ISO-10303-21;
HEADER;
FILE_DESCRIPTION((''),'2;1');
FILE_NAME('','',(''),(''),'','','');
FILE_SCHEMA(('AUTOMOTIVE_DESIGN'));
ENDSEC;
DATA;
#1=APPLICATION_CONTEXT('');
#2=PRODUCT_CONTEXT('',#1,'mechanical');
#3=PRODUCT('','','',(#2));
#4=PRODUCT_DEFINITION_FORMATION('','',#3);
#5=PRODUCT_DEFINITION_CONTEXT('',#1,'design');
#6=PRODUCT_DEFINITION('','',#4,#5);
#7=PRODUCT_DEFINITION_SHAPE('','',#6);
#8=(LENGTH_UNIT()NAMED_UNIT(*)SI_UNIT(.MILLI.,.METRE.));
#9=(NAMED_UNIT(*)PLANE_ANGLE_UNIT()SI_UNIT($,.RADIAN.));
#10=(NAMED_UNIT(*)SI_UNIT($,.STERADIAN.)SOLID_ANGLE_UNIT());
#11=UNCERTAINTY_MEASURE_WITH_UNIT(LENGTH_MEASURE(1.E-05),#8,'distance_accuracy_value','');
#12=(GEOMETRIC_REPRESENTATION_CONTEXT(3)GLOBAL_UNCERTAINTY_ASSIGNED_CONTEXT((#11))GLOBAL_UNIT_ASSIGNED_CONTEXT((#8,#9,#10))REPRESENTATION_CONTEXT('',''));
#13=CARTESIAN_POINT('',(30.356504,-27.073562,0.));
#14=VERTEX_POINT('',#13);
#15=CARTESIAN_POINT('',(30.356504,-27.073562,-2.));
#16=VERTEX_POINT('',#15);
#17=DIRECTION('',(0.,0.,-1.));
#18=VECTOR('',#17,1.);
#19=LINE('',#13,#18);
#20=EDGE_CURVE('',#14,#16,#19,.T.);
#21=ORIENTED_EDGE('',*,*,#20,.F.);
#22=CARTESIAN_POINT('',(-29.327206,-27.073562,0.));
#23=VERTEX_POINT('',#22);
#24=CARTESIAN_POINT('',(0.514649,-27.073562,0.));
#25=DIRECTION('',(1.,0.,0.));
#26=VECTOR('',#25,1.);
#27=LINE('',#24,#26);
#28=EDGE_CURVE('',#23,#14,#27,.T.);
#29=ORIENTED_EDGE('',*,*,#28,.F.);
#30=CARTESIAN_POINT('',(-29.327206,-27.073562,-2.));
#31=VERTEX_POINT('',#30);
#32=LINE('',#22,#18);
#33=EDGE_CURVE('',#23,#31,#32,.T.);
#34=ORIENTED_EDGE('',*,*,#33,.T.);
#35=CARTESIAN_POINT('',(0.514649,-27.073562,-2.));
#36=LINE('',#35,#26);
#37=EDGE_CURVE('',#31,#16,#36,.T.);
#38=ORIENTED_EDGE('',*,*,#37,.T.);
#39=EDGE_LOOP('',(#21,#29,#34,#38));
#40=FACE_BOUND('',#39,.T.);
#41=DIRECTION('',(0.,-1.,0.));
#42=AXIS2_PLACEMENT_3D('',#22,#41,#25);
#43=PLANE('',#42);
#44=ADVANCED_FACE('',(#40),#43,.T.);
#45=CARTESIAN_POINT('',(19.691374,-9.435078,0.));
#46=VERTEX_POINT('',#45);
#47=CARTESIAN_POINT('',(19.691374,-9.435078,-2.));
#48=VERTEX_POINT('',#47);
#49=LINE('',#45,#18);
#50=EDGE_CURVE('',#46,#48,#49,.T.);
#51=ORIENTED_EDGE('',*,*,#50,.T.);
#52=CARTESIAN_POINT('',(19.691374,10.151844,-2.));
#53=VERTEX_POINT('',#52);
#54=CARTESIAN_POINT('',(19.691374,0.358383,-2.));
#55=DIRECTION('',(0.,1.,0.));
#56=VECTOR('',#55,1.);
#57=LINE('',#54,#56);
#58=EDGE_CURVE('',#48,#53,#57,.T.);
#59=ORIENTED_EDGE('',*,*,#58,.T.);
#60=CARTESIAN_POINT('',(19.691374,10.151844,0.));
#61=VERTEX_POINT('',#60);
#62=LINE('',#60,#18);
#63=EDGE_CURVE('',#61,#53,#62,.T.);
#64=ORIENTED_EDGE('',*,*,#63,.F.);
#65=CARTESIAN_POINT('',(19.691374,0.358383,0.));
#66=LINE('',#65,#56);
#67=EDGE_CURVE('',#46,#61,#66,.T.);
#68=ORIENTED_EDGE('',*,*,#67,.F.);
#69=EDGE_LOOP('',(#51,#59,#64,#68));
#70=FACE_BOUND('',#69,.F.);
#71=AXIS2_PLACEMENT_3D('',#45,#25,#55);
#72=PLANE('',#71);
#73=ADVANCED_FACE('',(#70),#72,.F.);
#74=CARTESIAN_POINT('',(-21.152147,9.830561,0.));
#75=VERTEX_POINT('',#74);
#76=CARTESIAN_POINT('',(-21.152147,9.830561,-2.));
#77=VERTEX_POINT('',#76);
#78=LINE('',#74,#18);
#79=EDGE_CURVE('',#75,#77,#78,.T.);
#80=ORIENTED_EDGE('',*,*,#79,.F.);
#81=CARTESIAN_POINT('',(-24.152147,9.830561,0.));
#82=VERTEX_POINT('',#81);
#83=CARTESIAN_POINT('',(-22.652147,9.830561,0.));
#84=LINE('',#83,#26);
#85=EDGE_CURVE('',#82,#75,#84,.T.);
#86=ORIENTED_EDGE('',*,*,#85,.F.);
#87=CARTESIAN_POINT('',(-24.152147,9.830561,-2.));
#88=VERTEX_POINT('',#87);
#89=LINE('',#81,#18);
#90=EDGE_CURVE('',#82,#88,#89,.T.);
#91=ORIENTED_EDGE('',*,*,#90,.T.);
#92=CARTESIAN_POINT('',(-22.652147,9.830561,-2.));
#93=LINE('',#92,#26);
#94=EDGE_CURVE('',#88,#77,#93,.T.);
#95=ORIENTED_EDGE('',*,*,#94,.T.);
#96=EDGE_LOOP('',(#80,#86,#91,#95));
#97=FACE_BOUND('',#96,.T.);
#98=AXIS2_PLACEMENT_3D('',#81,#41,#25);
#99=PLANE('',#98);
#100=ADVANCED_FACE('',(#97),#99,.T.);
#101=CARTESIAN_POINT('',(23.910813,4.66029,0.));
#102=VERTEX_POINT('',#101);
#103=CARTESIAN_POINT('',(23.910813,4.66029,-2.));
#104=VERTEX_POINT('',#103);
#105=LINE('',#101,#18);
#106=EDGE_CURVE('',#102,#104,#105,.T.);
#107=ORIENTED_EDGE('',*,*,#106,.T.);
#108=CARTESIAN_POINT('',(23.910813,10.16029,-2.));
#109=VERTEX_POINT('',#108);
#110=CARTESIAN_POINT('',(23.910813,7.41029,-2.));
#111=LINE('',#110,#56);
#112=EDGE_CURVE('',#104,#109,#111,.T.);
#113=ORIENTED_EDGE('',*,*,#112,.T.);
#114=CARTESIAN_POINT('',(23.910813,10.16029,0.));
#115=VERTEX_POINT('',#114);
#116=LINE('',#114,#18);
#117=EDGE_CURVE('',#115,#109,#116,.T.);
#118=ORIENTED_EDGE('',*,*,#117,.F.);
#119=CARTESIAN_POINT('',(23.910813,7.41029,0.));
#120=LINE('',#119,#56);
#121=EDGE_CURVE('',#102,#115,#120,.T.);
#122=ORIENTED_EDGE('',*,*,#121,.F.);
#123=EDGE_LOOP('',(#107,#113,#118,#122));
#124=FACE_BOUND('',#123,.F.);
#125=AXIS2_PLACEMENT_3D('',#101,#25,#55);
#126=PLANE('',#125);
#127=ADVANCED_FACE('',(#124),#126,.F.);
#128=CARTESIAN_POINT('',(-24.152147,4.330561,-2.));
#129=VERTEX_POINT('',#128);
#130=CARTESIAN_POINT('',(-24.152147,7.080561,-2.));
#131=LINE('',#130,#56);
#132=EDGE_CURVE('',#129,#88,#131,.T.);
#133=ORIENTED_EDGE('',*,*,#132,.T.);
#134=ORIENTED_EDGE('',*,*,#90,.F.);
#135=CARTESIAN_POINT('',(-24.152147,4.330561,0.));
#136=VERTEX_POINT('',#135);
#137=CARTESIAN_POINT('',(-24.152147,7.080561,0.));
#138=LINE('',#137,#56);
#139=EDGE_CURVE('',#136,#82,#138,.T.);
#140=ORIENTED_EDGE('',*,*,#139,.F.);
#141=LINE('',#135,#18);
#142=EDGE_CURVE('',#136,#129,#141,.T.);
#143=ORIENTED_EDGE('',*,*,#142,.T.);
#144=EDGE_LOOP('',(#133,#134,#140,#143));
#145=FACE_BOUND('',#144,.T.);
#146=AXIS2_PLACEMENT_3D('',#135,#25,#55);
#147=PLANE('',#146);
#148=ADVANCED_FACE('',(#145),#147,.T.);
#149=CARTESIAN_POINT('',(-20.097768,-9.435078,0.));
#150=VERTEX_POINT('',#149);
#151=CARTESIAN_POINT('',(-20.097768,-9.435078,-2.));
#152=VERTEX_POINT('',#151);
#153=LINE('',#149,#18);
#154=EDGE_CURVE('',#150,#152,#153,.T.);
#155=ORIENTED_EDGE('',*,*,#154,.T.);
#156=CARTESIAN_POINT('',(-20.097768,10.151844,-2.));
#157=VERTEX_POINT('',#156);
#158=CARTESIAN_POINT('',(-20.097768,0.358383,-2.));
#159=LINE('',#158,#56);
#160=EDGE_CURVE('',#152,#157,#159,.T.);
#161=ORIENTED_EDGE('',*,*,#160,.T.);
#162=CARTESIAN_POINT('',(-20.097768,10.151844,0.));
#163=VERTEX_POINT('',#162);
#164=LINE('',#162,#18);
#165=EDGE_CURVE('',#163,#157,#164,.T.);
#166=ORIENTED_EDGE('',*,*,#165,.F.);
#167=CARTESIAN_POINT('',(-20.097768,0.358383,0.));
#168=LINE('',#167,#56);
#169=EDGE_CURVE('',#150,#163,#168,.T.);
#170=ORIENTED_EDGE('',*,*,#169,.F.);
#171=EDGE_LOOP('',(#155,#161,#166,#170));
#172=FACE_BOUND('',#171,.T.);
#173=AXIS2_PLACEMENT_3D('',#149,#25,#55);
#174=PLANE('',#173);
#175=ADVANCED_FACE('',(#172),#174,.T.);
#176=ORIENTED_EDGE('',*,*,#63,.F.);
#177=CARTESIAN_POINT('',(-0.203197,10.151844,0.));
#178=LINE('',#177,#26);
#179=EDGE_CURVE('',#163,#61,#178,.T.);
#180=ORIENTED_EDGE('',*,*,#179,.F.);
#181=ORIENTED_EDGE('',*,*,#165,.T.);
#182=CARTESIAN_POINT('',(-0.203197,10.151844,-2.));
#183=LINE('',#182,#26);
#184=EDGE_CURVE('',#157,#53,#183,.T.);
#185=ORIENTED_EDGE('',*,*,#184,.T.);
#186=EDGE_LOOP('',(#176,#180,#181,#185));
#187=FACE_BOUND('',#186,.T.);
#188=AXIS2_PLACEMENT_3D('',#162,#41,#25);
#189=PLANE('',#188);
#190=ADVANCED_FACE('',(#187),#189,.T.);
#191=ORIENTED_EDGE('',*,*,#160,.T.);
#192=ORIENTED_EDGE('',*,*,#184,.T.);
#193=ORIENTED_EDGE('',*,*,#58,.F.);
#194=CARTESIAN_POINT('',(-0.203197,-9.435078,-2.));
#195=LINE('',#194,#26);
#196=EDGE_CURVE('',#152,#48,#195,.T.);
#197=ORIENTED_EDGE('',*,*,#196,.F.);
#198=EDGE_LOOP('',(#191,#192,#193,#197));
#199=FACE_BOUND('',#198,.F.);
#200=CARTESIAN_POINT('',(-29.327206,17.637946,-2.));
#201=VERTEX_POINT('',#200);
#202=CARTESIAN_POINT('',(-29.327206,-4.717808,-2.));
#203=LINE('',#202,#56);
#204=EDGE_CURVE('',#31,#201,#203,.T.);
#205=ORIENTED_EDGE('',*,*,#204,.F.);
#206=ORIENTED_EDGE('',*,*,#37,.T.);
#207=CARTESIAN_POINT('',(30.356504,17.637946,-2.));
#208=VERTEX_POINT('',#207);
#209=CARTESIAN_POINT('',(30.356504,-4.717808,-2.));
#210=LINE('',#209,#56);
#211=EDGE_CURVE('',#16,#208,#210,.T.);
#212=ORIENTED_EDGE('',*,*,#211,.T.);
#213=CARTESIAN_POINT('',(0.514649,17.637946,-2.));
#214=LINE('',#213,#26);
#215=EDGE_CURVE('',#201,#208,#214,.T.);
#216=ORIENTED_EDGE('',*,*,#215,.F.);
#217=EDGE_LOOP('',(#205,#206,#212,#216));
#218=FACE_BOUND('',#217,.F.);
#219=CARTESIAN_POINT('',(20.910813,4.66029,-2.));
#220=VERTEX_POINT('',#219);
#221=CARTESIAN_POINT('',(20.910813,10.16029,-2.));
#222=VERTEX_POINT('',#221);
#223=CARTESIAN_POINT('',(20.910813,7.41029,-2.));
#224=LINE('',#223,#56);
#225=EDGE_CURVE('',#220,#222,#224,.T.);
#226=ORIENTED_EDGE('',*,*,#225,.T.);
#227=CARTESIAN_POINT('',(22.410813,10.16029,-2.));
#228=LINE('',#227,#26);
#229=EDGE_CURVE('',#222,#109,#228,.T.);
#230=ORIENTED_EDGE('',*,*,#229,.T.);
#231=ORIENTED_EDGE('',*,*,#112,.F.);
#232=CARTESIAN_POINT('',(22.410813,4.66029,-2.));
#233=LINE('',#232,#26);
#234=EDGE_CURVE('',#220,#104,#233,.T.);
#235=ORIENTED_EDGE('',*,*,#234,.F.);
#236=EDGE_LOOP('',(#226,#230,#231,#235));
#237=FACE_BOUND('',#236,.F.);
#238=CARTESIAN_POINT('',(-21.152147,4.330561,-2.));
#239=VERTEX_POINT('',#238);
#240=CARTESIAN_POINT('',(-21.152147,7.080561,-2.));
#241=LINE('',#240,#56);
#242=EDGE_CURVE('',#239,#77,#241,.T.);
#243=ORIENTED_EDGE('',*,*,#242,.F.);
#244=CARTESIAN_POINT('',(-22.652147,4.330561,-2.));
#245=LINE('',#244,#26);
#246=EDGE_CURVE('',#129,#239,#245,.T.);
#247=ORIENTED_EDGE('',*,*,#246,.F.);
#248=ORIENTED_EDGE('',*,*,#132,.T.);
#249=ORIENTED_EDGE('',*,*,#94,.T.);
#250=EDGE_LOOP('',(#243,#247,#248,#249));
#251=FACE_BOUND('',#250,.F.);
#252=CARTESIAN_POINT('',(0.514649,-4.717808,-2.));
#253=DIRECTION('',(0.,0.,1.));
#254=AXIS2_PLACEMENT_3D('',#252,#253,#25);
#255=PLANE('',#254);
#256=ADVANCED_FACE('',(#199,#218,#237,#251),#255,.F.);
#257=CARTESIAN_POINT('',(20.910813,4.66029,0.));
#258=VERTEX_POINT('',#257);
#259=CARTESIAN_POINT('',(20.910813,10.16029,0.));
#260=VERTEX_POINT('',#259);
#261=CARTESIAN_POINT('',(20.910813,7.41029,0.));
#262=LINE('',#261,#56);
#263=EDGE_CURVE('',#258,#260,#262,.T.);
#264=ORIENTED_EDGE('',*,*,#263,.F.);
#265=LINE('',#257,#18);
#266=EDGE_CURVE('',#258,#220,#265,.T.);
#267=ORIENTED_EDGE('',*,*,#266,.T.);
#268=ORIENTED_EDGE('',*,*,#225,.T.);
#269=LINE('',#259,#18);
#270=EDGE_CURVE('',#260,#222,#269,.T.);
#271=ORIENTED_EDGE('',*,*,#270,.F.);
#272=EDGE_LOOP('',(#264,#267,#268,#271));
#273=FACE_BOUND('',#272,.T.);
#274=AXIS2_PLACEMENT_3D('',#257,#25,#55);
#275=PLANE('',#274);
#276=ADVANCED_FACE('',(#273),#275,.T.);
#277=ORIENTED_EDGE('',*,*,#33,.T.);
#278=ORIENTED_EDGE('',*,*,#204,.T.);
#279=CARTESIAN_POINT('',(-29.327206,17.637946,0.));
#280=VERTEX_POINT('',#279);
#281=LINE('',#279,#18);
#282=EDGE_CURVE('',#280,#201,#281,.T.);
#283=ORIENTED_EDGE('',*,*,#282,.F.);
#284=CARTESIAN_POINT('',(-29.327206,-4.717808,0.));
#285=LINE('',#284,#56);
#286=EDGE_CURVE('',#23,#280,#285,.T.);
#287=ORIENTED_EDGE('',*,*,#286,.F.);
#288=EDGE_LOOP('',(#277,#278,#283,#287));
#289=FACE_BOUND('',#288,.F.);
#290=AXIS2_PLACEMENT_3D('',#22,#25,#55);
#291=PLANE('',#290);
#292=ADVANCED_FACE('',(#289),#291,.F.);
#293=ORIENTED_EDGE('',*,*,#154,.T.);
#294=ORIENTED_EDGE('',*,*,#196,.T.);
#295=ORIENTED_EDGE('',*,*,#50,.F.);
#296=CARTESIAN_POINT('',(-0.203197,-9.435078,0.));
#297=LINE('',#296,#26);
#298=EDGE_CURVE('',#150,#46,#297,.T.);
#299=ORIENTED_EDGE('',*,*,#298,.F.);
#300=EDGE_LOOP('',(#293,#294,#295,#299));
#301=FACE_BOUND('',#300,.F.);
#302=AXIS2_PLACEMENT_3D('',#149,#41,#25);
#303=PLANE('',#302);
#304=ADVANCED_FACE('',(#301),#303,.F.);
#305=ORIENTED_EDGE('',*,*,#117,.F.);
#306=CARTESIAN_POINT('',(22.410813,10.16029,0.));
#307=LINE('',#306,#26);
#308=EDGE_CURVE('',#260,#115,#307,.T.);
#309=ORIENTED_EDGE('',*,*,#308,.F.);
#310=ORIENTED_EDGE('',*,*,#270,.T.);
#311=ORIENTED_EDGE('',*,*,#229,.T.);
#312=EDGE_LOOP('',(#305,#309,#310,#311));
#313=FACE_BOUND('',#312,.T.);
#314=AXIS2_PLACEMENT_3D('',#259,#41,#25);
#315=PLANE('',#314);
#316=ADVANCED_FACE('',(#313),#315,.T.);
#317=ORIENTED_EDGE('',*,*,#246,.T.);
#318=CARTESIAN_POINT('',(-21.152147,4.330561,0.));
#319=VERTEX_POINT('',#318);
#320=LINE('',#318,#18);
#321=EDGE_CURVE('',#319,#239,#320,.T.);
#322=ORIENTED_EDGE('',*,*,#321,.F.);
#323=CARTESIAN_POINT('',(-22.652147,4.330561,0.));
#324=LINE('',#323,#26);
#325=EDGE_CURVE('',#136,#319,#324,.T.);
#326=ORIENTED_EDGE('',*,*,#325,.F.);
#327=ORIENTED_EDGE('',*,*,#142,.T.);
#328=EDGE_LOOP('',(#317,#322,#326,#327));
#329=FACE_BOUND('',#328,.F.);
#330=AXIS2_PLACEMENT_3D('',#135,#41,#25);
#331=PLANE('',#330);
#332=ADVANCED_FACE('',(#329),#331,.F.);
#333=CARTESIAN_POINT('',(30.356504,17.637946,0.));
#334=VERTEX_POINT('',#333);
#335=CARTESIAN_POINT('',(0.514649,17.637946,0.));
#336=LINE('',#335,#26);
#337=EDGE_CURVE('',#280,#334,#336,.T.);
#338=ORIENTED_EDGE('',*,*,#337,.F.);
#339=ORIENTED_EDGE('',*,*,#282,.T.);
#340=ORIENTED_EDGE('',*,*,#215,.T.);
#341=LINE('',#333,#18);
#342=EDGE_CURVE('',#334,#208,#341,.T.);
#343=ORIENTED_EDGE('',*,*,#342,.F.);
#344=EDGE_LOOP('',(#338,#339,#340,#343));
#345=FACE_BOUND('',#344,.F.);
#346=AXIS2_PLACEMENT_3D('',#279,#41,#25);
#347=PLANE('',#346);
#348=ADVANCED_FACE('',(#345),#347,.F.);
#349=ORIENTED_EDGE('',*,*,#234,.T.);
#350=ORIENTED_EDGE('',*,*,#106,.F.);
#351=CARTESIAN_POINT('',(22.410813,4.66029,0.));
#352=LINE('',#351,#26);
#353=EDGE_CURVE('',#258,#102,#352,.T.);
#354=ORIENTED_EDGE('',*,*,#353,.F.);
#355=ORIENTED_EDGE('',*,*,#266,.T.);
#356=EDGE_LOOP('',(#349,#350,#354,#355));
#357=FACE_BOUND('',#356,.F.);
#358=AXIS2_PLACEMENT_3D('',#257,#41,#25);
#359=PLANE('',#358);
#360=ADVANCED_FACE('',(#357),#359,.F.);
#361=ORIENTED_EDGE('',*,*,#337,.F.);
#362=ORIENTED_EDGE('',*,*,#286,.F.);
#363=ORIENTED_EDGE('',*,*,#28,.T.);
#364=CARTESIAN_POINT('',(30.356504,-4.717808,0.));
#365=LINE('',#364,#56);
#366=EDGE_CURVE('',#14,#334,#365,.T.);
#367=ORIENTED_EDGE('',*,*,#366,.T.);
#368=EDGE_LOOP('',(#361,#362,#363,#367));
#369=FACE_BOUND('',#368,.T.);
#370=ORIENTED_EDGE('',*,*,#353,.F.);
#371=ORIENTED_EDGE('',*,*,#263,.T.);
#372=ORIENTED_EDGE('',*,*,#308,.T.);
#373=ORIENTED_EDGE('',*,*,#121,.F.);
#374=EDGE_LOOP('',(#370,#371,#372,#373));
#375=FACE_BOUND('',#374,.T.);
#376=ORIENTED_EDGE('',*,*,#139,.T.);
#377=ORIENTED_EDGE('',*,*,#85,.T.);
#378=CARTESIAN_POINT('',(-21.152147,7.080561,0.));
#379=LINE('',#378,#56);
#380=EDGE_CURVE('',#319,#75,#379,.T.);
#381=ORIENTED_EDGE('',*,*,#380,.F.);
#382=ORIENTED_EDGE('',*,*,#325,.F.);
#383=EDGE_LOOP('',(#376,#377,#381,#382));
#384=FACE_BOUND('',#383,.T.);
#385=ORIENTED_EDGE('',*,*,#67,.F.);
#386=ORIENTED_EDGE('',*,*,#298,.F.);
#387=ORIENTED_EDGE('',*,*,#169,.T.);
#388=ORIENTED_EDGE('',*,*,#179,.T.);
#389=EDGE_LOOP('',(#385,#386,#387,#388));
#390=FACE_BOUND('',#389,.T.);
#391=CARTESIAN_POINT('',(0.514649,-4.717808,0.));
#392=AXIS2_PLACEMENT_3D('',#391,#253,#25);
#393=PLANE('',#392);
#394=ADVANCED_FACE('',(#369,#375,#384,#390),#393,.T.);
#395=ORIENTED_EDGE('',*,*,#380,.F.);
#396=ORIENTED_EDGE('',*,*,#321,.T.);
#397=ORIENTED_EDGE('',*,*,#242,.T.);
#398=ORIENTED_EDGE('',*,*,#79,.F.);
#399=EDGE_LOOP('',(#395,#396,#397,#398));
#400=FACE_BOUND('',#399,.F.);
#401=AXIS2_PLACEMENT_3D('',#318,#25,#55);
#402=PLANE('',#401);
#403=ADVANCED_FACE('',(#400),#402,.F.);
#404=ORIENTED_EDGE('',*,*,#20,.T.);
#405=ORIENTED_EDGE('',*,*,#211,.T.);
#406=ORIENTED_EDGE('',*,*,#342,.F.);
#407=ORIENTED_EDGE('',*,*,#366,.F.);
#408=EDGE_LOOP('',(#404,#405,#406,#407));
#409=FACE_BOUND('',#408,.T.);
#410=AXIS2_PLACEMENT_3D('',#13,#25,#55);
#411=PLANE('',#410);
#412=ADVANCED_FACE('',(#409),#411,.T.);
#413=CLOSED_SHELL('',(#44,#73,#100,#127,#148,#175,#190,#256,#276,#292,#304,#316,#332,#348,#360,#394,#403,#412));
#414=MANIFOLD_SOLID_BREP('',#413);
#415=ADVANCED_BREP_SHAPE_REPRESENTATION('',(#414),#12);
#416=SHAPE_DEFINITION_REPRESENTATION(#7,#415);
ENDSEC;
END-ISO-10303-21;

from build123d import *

# Parameters (mm, degrees)
F0_W     = 59.68371
F0_H     = 44.711508
F0_W_2   = 50
F0_H_2   = 25.664362
F0_W_3   = 39.789142
F0_H_3   = 19.586922
F0_W_4   = 3
F0_H_4   = 5.5
F1_DEPTH = 2


with BuildPart() as f1:
    # F0 (on Top) → F1 (new body)
    with BuildSketch(Plane.XY):
        with Locations((0.514649, -4.717808)):
            Rectangle(F0_W, F0_H)
        Rectangle(F0_W_2, F0_H_2, mode=Mode.SUBTRACT)
        Rectangle(F0_W_2, F0_H_2)
        with Locations((-0.203197, 0.358383)):
            Rectangle(F0_W_3, F0_H_3, mode=Mode.SUBTRACT)
        with Locations((-22.652147, 7.080561)):
            Rectangle(F0_W_4, F0_H_4, mode=Mode.SUBTRACT)
        with Locations((22.410813, 7.41029)):
            Rectangle(F0_W_4, F0_H_4, mode=Mode.SUBTRACT)
    extrude(amount=-F1_DEPTH)


solid = f1.part
